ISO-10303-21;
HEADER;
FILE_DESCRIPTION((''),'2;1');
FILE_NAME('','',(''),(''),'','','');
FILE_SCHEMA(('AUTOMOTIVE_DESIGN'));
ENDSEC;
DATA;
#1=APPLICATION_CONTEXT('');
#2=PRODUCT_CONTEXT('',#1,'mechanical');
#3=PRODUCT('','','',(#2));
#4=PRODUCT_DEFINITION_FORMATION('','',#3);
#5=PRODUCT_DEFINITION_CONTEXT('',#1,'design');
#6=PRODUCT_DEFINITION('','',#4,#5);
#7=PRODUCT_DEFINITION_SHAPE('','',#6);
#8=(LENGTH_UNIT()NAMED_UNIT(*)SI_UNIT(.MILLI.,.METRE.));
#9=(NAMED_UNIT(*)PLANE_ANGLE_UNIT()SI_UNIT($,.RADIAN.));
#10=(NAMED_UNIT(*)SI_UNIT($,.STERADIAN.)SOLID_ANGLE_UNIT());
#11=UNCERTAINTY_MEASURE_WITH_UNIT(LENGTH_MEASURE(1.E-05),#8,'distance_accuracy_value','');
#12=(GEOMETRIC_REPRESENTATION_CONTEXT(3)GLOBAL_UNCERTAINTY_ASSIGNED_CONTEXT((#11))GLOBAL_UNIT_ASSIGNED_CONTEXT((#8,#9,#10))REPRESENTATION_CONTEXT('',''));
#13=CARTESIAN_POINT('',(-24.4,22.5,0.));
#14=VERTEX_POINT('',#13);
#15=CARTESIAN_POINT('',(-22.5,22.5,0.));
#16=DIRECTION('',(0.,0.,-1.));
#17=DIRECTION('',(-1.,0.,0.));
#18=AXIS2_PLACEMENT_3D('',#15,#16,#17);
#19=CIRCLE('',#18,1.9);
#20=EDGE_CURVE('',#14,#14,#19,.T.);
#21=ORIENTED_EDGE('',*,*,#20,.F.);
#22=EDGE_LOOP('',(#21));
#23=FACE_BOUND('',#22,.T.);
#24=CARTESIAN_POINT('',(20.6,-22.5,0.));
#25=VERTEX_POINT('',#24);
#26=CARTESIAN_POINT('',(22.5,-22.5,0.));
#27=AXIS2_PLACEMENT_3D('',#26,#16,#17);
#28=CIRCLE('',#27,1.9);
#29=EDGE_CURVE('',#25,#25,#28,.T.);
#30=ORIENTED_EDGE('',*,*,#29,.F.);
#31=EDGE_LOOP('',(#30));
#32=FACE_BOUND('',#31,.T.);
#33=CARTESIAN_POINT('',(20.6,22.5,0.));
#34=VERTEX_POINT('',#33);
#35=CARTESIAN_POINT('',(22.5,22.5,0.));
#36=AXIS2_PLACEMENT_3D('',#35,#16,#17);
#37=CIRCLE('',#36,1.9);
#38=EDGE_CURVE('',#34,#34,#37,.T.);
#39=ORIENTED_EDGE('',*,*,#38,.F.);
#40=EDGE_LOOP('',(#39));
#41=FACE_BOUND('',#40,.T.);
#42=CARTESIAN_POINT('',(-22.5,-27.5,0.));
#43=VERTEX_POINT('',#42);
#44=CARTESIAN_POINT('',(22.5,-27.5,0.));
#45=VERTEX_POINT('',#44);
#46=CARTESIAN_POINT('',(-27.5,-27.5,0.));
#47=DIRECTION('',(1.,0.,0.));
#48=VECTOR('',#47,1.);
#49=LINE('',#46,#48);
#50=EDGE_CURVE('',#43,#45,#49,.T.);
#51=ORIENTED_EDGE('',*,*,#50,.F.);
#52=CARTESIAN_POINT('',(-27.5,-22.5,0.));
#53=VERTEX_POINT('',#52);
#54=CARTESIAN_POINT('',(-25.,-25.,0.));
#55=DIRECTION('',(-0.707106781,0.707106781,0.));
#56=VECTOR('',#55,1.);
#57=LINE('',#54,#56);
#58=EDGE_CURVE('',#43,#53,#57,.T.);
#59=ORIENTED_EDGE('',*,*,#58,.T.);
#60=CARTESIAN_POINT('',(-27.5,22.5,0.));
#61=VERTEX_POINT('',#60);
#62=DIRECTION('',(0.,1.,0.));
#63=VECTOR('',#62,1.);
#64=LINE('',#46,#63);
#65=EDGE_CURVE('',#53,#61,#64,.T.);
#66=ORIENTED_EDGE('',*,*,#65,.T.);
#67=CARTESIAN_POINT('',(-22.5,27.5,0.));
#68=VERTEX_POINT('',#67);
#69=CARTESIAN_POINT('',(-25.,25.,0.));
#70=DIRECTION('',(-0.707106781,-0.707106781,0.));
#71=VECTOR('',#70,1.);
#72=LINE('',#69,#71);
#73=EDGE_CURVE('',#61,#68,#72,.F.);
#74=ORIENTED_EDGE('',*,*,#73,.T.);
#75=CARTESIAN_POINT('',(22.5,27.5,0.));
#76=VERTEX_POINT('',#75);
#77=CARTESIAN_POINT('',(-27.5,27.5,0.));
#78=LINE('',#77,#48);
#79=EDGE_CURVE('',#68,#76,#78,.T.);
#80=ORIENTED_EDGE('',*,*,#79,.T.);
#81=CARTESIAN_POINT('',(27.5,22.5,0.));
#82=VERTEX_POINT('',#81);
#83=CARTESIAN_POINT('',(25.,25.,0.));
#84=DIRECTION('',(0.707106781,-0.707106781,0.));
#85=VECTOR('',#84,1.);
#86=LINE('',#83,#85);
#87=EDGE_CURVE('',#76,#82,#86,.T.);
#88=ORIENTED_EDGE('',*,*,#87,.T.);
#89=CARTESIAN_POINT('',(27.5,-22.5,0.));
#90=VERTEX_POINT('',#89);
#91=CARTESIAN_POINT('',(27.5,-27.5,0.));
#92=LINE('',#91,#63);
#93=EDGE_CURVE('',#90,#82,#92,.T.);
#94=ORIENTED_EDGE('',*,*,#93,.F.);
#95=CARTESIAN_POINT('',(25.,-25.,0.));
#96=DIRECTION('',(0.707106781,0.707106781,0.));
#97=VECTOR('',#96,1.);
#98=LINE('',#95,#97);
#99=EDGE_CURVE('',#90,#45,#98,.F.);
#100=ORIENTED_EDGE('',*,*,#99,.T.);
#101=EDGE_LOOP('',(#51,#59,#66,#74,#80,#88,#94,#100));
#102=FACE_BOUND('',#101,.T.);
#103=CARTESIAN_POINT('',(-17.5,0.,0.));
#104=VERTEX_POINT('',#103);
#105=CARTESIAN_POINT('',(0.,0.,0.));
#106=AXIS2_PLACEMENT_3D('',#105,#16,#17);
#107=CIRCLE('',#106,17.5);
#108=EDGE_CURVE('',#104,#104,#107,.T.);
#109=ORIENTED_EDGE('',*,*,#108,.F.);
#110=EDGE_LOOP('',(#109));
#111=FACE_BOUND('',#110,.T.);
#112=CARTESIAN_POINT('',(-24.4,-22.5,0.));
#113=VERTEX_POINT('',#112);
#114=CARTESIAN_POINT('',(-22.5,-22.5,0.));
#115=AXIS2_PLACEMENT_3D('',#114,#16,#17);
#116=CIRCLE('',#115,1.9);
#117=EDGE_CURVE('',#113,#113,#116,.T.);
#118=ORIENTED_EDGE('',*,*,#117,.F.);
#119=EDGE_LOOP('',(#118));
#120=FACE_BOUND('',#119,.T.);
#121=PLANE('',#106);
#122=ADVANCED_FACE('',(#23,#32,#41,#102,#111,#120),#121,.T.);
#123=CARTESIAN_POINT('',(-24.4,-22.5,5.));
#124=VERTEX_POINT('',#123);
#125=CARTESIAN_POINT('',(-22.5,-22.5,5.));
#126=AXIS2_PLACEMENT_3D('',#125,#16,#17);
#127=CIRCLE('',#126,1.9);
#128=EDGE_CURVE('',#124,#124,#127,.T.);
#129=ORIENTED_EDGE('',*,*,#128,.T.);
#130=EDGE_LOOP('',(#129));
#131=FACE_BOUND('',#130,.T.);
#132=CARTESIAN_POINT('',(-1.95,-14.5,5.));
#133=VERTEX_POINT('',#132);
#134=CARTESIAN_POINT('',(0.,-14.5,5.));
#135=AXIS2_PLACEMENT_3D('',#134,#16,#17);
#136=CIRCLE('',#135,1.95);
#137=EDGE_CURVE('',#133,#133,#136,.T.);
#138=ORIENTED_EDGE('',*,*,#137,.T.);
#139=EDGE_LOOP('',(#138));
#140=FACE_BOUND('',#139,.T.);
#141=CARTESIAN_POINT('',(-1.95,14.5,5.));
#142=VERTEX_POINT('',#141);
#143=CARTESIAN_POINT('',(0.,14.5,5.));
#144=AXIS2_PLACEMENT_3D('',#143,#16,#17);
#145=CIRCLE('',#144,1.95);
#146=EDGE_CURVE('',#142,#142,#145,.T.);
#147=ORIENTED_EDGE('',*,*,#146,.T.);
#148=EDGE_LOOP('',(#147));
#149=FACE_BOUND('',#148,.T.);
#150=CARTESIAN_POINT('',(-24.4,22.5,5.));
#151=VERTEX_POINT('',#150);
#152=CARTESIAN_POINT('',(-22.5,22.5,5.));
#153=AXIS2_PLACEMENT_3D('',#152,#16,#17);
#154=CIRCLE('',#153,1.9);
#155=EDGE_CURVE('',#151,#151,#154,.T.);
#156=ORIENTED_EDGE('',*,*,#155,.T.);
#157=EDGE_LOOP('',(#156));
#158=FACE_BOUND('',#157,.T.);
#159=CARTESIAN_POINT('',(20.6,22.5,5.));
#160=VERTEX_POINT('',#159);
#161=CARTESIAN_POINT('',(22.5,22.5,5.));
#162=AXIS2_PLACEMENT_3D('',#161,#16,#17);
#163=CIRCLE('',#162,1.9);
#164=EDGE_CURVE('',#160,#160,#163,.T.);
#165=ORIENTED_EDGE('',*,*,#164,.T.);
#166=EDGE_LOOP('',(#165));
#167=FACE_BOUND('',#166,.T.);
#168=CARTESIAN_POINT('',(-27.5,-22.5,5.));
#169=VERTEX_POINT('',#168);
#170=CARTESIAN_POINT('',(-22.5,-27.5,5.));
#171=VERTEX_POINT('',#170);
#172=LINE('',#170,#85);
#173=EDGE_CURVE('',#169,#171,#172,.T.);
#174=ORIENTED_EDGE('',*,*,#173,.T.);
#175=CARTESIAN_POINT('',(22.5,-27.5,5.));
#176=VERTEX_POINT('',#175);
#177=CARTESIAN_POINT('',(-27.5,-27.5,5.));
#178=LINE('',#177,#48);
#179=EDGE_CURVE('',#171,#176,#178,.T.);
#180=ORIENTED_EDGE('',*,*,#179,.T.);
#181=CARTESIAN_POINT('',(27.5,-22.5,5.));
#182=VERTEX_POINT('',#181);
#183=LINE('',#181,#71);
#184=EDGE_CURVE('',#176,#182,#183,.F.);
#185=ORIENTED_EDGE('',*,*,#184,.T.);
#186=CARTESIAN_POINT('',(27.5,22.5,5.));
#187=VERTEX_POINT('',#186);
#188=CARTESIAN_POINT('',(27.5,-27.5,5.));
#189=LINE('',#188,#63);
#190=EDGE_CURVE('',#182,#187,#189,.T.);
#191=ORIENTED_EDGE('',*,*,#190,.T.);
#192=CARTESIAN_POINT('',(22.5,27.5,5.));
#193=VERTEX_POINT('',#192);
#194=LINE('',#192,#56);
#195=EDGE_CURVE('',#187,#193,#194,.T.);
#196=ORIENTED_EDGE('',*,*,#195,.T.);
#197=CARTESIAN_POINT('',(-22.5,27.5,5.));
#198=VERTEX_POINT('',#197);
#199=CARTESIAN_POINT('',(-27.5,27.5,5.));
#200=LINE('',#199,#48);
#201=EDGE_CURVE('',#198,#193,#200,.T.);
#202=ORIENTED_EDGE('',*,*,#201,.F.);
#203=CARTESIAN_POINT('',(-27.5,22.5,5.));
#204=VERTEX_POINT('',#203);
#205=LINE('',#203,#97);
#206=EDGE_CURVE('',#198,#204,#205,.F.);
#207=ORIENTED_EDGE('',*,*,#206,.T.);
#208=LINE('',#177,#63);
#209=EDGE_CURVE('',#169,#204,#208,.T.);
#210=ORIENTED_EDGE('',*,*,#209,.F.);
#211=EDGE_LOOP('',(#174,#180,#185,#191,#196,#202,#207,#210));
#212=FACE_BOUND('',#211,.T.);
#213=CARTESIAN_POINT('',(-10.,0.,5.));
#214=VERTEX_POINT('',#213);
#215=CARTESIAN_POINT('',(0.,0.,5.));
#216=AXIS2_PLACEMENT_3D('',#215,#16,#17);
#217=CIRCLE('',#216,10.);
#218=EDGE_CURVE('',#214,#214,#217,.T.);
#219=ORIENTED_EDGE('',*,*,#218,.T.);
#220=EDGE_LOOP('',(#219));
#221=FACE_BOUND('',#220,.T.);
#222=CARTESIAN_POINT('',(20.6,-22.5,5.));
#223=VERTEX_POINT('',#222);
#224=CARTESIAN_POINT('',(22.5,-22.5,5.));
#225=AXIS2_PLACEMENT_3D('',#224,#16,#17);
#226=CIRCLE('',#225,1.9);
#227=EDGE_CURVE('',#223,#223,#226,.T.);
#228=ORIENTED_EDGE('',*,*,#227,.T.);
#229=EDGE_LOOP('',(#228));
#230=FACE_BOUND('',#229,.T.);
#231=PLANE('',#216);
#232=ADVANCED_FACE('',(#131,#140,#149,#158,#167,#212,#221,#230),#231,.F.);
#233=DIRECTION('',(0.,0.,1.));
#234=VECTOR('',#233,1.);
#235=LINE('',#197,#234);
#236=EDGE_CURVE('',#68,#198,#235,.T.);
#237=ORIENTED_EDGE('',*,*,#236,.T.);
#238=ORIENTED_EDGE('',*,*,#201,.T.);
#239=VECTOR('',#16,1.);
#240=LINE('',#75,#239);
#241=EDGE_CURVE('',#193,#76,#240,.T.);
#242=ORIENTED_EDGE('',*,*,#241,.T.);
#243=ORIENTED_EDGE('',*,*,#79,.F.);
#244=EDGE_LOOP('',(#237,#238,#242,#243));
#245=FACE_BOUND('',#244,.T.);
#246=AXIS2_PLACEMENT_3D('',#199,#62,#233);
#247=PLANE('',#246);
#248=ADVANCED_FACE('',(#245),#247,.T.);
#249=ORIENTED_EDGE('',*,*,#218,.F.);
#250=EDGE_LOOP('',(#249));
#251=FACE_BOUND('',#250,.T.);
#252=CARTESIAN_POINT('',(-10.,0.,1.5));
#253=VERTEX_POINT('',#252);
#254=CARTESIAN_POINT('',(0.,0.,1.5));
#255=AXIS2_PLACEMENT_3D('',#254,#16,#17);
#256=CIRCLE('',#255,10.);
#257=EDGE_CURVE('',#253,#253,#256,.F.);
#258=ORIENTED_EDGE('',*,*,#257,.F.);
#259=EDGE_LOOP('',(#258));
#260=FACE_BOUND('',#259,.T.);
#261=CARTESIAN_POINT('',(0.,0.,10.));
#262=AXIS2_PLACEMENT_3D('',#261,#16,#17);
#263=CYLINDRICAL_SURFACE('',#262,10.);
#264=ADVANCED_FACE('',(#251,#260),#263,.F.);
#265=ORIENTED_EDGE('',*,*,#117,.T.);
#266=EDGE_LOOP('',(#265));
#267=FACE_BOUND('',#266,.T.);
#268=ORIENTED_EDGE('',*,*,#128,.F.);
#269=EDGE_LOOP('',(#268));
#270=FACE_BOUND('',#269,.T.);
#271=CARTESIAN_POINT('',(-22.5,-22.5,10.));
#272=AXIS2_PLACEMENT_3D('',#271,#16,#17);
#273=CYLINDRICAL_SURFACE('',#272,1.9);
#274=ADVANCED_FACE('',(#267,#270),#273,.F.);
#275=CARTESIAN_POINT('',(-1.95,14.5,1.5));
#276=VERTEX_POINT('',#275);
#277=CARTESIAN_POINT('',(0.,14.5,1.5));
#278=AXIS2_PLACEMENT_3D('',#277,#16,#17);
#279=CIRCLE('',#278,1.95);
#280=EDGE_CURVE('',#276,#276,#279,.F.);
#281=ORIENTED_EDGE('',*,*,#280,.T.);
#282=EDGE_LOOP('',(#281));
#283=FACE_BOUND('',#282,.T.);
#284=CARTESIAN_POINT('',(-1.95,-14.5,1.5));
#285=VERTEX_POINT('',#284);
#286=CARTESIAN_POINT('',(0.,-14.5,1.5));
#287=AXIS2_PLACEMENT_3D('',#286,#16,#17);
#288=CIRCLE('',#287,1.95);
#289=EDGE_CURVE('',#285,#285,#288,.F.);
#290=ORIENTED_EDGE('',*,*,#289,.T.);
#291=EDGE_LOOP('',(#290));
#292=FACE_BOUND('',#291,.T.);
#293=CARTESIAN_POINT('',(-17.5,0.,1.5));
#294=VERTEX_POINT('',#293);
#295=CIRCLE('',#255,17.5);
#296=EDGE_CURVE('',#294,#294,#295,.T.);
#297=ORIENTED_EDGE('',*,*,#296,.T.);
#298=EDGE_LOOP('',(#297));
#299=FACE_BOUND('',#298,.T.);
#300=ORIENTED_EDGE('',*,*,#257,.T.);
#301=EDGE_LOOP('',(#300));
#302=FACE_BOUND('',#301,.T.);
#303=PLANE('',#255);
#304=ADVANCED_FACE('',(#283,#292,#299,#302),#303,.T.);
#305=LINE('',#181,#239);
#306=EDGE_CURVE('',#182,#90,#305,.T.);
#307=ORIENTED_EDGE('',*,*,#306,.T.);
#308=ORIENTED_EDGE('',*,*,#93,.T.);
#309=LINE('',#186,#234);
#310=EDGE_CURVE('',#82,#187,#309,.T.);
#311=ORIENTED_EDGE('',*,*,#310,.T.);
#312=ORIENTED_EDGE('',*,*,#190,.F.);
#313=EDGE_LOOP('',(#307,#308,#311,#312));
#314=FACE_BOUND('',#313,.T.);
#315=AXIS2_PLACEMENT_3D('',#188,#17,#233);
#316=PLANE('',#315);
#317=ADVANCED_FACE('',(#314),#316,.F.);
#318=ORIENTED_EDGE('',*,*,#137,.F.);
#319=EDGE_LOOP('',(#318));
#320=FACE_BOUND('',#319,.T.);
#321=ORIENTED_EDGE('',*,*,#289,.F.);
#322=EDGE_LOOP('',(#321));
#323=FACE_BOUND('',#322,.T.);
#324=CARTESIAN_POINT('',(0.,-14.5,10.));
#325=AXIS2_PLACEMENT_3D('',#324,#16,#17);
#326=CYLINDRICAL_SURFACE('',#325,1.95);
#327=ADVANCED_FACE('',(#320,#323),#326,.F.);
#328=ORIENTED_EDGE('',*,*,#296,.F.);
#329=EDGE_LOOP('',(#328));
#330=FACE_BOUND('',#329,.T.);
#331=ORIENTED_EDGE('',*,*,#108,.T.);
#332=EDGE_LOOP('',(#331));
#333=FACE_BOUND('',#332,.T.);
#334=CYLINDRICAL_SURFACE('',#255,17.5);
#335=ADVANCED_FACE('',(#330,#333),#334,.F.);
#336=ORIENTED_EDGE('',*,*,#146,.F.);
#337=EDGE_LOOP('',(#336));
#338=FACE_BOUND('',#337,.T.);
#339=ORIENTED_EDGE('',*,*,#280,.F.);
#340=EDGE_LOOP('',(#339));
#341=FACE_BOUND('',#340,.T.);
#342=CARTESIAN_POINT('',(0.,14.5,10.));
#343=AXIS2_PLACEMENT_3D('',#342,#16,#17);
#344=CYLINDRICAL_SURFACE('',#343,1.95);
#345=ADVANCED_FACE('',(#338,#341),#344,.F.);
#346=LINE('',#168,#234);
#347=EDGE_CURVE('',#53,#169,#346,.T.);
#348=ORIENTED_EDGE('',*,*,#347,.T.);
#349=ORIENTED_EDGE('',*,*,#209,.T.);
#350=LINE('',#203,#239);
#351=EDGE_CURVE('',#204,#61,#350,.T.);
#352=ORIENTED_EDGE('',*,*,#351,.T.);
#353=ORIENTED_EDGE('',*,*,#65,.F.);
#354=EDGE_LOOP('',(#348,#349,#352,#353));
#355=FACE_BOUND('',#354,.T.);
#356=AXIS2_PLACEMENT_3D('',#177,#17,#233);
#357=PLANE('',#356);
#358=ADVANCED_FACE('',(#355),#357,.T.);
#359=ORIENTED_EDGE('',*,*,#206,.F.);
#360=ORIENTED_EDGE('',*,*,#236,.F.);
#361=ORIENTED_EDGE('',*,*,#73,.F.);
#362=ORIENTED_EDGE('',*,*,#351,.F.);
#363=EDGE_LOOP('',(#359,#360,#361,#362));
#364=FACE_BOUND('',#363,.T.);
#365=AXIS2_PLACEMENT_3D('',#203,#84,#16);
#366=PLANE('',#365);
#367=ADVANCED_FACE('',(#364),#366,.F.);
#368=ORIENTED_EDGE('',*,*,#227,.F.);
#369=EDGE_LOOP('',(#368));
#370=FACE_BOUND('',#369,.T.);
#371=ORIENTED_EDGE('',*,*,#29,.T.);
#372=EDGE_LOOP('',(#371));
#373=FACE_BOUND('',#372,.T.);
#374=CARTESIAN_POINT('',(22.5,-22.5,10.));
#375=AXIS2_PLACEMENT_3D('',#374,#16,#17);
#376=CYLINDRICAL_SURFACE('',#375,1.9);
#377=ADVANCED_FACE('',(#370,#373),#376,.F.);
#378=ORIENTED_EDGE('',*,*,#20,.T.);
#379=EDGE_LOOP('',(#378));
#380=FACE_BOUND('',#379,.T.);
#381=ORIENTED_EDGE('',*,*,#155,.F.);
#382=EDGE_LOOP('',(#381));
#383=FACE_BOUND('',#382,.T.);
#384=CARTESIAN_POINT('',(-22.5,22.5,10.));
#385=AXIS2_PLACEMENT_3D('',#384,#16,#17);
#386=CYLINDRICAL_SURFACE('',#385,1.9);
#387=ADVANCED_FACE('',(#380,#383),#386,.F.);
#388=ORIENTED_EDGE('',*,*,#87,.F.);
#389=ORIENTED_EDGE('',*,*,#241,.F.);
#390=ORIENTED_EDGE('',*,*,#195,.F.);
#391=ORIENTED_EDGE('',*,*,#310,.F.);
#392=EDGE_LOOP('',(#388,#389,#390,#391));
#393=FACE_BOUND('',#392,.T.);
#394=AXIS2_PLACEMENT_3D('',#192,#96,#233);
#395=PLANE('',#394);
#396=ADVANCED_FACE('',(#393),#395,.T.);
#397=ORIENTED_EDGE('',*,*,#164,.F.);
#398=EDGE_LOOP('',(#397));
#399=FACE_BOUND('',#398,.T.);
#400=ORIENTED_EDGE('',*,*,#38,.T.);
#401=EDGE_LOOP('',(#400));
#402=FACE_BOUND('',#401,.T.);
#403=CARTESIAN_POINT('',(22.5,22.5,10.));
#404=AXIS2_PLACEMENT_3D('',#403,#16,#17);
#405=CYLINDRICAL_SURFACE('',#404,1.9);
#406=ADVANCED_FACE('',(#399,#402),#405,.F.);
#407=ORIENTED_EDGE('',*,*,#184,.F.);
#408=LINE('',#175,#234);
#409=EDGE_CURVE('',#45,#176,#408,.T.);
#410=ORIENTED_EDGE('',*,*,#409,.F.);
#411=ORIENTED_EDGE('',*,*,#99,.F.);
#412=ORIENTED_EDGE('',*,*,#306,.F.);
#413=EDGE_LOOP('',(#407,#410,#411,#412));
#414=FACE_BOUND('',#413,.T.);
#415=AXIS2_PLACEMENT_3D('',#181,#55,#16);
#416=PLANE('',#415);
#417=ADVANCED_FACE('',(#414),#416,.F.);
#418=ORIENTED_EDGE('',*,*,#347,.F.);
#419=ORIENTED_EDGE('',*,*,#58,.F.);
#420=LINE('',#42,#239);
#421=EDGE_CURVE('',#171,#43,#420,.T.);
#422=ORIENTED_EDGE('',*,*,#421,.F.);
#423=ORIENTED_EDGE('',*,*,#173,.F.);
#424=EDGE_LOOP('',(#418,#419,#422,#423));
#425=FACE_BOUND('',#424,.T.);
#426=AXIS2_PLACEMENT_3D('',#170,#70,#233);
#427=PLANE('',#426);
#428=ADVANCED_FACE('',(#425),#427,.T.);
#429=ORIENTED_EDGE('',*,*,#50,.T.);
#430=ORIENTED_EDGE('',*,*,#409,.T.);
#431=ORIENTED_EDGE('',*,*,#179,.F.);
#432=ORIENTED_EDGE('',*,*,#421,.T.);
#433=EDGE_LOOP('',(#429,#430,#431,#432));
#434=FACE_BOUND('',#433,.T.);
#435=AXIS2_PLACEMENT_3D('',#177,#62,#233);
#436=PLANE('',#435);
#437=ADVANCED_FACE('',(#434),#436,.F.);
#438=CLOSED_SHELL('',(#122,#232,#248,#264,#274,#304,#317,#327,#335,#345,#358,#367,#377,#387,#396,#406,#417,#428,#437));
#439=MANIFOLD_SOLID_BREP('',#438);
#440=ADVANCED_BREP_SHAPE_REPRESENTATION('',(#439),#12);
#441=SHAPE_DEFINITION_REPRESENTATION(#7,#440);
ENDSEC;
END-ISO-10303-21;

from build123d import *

# Parameters (mm, degrees)
SKETCH1_W           = 55
SKETCH1_H           = 55
BOSS_EXTRUDE1_DEPTH = 5
CHAMFER1_SIZE       = 5
SKETCH2_R           = 1.95
SKETCH2_R_2         = 1.9
SKETCH2_R_3         = 10
CUT_EXTRUDE1_DEPTH  = 10
SKETCH3_R           = 17.5
CUT_EXTRUDE2_DEPTH  = 1.5


with BuildPart() as part:
    # Sketch1 → Boss-Extrude1 (new body)
    with BuildSketch(Plane.XY):
        Rectangle(SKETCH1_W, SKETCH1_H)
    extrude(amount=BOSS_EXTRUDE1_DEPTH)

    # Chamfer1
    chamfer1_edges = [part.edges().sort_by_distance(p)[0] for p in [
        (-27.5, -27.5, 2.5),
        (27.5, -27.5, 2.5),
        (27.5, 27.5, 2.5),
        (-27.5, 27.5, 2.5),
    ]]
    chamfer(chamfer1_edges, length=CHAMFER1_SIZE)

    # Sketch2 → Cut-Extrude1 (cut)
    with BuildSketch(Plane(origin=(0, 0, 0), x_dir=(-1, 0, 0), z_dir=(0, 0, -1))):
        with Locations((0, 14.5)):
            Circle(SKETCH2_R)
        with Locations((-22.5, 22.5)):
            Circle(SKETCH2_R_2)
        with Locations((22.5, 22.5)):
            Circle(SKETCH2_R_2)
        with Locations((22.5, -22.5)):
            Circle(SKETCH2_R_2)
        with Locations((-22.5, -22.5)):
            Circle(SKETCH2_R_2)
        Circle(SKETCH2_R_3)
        with Locations((0, -14.5)):
            Circle(SKETCH2_R)
    extrude(amount=-CUT_EXTRUDE1_DEPTH, mode=Mode.SUBTRACT)

    # Sketch3 → Cut-Extrude2 (cut)
    with BuildSketch(Plane(origin=(0, 0, 0), x_dir=(-1, 0, 0), z_dir=(0, 0, -1))):
        Circle(SKETCH3_R)
    extrude(amount=-CUT_EXTRUDE2_DEPTH, mode=Mode.SUBTRACT)


solid = part.part
